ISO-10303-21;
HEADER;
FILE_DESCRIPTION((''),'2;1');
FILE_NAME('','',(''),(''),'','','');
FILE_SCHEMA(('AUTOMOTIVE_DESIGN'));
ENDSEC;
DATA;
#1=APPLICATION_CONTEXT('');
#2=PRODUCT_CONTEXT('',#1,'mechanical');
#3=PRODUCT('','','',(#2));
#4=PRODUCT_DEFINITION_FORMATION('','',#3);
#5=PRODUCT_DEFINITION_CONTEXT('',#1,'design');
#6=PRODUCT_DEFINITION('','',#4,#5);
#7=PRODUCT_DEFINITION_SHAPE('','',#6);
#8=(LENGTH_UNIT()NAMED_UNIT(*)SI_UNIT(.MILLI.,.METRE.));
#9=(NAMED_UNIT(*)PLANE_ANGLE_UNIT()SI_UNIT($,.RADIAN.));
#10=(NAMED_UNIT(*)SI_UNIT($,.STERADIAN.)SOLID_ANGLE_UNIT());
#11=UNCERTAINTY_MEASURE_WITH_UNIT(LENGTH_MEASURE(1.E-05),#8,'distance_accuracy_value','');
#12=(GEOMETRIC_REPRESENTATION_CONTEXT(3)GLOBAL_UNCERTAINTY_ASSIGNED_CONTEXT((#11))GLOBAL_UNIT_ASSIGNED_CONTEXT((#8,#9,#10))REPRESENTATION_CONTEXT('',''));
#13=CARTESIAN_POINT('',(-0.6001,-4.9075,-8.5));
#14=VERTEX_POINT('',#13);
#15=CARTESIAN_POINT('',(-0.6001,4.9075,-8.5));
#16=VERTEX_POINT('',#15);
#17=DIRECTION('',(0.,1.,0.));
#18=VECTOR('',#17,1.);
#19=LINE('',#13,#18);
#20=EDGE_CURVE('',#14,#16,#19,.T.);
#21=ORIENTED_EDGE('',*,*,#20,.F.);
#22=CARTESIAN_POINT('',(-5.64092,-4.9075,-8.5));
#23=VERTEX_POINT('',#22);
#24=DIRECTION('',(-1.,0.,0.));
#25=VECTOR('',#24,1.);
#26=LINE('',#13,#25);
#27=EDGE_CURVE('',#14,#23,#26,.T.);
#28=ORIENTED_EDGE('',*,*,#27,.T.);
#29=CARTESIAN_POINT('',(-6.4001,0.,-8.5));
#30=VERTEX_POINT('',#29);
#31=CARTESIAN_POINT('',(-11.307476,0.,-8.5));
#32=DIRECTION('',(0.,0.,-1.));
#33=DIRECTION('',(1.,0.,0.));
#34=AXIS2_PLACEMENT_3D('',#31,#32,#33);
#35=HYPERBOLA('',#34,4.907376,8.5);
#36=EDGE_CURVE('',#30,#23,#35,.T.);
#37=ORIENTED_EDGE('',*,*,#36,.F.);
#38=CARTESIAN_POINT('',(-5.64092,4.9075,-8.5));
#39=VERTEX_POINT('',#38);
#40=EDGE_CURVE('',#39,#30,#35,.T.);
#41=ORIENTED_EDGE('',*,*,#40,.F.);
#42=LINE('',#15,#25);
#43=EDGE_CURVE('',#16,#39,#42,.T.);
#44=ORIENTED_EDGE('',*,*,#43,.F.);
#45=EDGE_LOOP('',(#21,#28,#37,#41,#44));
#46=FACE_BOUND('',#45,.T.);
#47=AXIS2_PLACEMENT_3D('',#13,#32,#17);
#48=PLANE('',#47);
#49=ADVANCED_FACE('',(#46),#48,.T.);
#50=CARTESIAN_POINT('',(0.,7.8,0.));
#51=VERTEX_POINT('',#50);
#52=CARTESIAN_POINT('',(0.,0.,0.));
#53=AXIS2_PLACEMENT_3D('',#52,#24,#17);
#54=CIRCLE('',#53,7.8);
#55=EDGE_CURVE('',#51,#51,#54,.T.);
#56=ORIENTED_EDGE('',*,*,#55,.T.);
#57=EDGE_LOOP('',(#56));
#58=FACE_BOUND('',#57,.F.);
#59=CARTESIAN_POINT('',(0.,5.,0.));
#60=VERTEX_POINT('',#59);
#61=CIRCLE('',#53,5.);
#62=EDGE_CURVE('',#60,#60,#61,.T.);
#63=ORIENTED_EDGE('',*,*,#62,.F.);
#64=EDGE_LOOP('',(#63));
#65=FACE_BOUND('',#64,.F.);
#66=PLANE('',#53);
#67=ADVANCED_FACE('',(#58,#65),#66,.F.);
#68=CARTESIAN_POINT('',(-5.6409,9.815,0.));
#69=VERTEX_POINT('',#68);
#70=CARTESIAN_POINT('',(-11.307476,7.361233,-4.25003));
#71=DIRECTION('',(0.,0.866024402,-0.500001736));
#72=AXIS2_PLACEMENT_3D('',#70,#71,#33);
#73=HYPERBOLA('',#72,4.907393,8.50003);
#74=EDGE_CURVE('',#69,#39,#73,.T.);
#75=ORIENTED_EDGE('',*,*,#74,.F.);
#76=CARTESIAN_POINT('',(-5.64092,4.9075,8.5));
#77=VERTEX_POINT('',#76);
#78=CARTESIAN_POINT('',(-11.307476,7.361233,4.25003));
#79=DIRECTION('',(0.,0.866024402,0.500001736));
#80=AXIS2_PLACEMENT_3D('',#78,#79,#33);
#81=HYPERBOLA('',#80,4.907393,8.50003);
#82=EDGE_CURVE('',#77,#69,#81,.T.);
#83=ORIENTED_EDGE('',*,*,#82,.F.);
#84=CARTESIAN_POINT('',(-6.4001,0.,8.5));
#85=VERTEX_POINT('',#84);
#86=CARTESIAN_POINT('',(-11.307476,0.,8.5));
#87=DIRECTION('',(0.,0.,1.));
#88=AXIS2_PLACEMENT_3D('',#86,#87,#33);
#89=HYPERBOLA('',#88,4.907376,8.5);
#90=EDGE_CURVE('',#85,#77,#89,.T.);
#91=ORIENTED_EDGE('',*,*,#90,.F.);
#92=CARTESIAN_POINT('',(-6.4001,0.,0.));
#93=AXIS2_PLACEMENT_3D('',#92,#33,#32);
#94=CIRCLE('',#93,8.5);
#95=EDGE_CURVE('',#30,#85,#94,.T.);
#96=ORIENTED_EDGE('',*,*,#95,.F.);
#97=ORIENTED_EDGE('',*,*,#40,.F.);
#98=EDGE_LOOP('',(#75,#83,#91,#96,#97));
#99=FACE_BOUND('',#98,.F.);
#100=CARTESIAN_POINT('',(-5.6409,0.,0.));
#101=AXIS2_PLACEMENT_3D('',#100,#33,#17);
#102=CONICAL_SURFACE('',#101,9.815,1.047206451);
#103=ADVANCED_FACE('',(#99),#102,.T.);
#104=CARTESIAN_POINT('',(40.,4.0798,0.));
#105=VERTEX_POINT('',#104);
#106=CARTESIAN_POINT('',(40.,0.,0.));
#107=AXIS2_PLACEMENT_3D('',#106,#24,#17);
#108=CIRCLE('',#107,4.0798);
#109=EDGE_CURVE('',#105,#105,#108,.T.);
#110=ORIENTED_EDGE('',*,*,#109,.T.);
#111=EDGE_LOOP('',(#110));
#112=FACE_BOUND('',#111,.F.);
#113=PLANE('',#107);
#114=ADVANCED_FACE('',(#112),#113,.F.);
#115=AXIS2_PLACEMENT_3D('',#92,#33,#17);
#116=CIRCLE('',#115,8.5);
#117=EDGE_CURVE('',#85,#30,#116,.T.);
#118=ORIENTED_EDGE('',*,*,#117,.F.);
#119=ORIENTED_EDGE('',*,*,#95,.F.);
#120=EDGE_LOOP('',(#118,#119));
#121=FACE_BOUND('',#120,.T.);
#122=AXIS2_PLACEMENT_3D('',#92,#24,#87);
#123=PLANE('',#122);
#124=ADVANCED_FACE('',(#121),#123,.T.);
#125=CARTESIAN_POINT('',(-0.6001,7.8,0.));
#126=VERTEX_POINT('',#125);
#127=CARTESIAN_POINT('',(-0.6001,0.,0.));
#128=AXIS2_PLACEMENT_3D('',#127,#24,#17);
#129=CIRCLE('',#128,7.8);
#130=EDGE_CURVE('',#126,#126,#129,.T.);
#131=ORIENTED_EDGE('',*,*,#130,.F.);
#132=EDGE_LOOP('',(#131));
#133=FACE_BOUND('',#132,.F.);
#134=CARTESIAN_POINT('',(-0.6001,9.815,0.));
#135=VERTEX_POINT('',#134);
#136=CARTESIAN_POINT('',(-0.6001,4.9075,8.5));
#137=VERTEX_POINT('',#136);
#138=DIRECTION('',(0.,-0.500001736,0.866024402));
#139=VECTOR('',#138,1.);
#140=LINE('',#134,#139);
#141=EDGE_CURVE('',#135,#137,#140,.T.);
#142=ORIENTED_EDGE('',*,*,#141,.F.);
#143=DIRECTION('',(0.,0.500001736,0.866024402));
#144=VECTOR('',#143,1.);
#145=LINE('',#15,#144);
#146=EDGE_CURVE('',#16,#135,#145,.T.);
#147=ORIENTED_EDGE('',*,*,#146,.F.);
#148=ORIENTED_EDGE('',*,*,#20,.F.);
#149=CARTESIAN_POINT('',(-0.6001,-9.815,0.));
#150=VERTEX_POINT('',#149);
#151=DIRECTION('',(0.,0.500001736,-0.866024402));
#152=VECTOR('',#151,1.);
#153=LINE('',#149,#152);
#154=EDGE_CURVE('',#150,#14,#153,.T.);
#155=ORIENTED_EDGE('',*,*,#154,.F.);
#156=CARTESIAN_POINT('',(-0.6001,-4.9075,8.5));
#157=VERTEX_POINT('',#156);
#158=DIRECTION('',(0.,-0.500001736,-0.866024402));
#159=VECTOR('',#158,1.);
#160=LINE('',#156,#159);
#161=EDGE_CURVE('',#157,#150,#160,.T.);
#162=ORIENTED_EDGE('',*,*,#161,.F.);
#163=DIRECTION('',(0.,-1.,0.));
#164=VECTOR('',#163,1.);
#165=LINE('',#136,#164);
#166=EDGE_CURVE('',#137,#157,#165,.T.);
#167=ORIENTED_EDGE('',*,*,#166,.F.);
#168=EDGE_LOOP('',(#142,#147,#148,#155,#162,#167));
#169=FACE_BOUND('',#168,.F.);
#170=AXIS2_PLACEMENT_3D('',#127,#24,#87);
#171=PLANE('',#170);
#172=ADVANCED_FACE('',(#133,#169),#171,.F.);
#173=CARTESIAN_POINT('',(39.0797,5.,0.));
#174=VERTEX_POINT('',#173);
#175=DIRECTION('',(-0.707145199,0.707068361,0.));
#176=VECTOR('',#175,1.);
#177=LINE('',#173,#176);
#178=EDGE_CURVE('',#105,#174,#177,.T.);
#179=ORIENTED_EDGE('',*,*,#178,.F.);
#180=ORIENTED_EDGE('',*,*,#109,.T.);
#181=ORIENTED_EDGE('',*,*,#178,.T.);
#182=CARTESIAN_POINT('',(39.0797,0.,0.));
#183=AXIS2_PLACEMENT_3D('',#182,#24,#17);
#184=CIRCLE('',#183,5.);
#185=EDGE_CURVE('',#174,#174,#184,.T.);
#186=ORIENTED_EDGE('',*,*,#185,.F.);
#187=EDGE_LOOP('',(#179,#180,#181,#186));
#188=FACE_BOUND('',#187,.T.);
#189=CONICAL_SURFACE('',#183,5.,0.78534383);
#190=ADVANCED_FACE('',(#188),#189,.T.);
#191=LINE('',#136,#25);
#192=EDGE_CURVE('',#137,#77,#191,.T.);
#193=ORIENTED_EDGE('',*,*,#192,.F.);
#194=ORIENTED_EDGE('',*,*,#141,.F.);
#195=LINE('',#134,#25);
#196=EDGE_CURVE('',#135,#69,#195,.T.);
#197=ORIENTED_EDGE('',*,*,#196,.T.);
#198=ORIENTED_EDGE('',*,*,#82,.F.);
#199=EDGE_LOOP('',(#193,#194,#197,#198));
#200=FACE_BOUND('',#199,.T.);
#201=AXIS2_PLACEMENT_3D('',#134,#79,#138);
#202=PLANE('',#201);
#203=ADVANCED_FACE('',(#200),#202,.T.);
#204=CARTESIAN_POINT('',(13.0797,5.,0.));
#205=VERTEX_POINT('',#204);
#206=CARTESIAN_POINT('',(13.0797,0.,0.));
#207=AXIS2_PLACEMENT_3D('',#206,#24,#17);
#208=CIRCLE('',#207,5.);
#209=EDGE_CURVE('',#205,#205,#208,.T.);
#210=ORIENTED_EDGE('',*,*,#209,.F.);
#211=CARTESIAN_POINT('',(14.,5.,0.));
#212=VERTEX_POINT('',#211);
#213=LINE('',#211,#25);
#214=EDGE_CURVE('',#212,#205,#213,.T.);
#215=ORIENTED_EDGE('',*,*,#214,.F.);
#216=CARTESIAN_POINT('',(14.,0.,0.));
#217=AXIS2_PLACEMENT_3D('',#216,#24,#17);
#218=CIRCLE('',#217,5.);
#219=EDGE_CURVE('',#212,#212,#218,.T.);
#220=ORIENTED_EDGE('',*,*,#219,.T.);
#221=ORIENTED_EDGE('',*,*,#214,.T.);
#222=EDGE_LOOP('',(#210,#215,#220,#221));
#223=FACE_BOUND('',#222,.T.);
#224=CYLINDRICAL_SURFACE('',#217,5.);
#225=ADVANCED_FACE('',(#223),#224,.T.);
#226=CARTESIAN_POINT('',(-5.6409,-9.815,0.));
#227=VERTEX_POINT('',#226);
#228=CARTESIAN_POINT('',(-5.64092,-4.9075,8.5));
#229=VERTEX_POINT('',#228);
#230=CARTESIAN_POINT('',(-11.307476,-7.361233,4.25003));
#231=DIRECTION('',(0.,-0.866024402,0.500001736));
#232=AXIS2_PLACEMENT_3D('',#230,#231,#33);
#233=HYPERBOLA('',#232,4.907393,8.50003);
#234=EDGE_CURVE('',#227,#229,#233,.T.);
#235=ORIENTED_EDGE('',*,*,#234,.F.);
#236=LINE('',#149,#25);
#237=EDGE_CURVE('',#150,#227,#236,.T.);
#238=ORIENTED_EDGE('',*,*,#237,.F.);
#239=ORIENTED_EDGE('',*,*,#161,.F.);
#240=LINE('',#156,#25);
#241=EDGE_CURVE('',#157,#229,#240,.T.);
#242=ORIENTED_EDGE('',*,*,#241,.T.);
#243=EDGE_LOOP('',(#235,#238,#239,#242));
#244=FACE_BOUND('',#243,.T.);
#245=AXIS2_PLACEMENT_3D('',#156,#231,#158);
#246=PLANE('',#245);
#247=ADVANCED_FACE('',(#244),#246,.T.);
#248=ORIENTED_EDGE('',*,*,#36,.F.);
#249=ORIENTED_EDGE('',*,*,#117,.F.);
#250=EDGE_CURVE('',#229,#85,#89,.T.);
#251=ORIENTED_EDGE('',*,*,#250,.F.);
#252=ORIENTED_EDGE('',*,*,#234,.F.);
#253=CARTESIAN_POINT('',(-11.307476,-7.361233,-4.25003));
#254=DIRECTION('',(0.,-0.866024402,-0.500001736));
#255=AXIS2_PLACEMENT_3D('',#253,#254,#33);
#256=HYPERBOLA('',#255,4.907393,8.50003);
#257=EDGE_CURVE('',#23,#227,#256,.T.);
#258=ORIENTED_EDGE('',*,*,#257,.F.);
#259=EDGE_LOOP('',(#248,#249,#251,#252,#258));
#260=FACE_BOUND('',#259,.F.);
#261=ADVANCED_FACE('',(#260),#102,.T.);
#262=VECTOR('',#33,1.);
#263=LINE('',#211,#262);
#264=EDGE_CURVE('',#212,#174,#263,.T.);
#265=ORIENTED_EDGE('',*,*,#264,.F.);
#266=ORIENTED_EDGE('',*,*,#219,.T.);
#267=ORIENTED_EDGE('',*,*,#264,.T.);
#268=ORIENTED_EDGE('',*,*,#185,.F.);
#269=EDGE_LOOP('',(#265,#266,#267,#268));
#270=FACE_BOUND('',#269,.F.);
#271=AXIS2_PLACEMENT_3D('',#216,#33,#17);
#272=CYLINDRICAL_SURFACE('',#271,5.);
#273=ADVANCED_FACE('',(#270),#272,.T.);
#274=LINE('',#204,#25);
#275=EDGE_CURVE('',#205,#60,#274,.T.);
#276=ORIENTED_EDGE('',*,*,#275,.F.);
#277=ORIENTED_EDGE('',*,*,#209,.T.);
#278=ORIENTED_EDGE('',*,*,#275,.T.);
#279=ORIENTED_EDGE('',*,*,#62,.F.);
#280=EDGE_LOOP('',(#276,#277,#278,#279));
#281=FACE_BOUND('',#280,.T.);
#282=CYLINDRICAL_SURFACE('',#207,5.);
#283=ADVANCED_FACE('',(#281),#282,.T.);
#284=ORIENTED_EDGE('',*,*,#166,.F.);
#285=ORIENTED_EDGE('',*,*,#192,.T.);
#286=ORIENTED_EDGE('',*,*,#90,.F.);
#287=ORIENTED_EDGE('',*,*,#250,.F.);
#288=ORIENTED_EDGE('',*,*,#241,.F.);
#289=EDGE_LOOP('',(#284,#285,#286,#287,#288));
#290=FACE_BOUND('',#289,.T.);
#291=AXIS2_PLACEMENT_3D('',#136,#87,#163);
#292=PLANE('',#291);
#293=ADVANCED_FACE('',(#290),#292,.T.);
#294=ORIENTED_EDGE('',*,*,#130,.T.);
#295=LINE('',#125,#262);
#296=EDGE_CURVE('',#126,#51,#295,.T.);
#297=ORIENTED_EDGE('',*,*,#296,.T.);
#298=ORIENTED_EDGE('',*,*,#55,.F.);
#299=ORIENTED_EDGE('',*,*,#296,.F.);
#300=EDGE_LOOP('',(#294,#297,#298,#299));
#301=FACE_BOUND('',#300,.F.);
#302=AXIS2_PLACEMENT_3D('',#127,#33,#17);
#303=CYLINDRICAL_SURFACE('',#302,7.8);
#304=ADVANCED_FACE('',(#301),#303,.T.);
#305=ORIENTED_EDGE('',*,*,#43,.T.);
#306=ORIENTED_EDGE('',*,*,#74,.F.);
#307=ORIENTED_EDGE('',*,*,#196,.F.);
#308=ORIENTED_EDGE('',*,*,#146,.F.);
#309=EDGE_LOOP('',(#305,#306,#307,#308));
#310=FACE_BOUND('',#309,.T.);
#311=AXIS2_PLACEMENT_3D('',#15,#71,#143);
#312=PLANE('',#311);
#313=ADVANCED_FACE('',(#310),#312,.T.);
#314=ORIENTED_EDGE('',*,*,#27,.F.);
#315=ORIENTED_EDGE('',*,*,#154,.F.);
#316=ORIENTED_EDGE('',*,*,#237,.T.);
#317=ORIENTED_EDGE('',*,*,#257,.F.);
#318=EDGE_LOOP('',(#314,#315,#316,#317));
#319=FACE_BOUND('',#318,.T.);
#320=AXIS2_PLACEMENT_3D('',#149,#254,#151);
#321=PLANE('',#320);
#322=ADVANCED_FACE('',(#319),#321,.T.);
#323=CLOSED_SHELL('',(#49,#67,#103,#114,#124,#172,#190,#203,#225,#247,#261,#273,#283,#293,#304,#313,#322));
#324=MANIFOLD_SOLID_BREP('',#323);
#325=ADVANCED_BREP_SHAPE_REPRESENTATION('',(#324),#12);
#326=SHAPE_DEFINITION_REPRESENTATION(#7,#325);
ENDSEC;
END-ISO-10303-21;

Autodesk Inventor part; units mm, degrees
ref_plane "YZ Plane" through (0, 0, 0) normal (1, 0, 0) x (0, 1, 0)
ref_plane "XZ Plane" through (0, 0, 0) normal (0, 1, 0) x (-1, 0, 0)
sketch "Sketch1" plane through (0, 0, 0) normal (0, 0, 1) x (1, 0, 0)
  line L0 (0, 7.8) -> (0, 5)
  line L1 (14, 5) -> (40, 5)
  line L2 (40, 5) -> (40, 0)
  line L3 (40, 0) -> (-0.6001, 0)
  line L4 (-8.7201, 0) -> (48.12, 0) projected
  line L5 (-0.6001, 0) -> (-0.6001, 7.8)
  line L6 (-0.6001, 7.8) -> (0, 7.8)
  line L7 (14, 5) -> (13.0797, 5)
  line L8 (13.0797, 5) -> (0, 5)
  line L9 (0, -1.56) -> (0, 9.36) projected
  dimension "d0" = 40
  dimension "d1" = 26
  dimension "d2" = 10
  dimension "d9" = 0.6001
  dimension "d10" = 15.6
  dimension "d13" = 0.9203
  dimension "d14" = 10
revolve "Body" add sketch "Sketch1" angle 360 about axis through (40, 0, 0) along (-1, 0, 0)
sketch "Sketch2" plane through (-0.6001, 0, 0) normal (-1, 0, 0) x (0, 0, 1)
  line L0 (0, 9.815) -> (8.5, 4.9075)
  line L1 (8.5, 4.9075) -> (8.5, -4.9075)
  line L2 (8.5, -4.9075) -> (0, -9.815)
  line L3 (0, -9.815) -> (-8.5, -4.9075)
  line L4 (-8.5, -4.9075) -> (-8.5, 4.9075)
  line L5 (-8.5, 4.9075) -> (0, 9.815)
  point P0 (0, 0)
  point P1 (0, 0)
  dimension "d11" = 17
extrude "Head" add sketch "Sketch2" along normal blind 5.8
sketch "Sketch4" plane through (0, 0, 0) normal (0, 0, 1) x (1, 0, 0)
  line L0 (-6.4001, 8.5) -> (-6.4001, 9.815)
  line L1 (-6.4001, 9.815) -> (-5.6409, 9.815)
  line L2 (-5.6409, 9.815) -> (-6.4001, 8.5)
  line L3 (-7.5601, 0) -> (0.5599, 0) projected
  line L4 (-0.6001, 9.815) -> (-6.4001, 9.815) projected
  line L5 (-6.4001, 4.9075) -> (-6.4001, 9.815) projected
  dimension "d5" = 30
  dimension "d19" = 17
revolve "Chamfer1" cut sketch "Sketch4" angle 360 about axis through (-10, 0, 0) along (1, 0, 0)
thread "Thread" size "M10x1.5" class "6g" standard "ISO Metric profile" length 26
chamfer "Chamfer2" distance 0.9202 distance2 0.9203 1 edges at (40, -5, 0) measured on face at (40, 1.2281, 0.495)
ref_plane "Work Plane1" through (1.525, 0, 0) normal (0, 0, 1) x (1, 0, 0)
equation "\"d0\" = NLG"
equation "\"d1\" = GEL"
equation "\"d2\" = GD"
equation "\"d10\" = SD2"
equation "\"d14\" = BDM"
equation "\"d11\" = SW"
equation "\"d3\" = KOH - SD"
equation "\"d5\" = ANG1"
equation "\"d19\" = SW0"
equation "\"d15\" = GEL"
equation "\"d6\" = -0.5 * SPD + 0.5 * GD"
equation "\"NLG\" = 40"
equation "\"GD\" = NND"
equation "\"BDM\" = NND"
equation "\"KOH\" = 6.4"
equation "\"GEL\" = 26"
equation "\"SW\" = 17"
equation "\"SW0\" = SW"
equation "\"SPD\" = NND - 1.2269 * PTC"
equation "\"SD2\" = 15.6"
equation "\"SD\" = 0.6"
equation "\"ANG1\" = 30deg"
equation "\"GAL\" = 0.61345 * PTC"
equation "\"GUL\" = 0.61345 * PTC"
equation "\"RR\" = 0.4"
equation "\"GD1\" = THREADDIA - 1.2269 * PTC"
equation "\"TOA\" = 30deg"
equation "\"PTC\" = 1.5"
equation "\"E0\" = 1.155 * SW"
equation "\"NND\" = 10"
equation "\"THREADDIA\" = 10"
properties part number "DIN 931-1 - M10 x 40" material "Steel, Mild"
